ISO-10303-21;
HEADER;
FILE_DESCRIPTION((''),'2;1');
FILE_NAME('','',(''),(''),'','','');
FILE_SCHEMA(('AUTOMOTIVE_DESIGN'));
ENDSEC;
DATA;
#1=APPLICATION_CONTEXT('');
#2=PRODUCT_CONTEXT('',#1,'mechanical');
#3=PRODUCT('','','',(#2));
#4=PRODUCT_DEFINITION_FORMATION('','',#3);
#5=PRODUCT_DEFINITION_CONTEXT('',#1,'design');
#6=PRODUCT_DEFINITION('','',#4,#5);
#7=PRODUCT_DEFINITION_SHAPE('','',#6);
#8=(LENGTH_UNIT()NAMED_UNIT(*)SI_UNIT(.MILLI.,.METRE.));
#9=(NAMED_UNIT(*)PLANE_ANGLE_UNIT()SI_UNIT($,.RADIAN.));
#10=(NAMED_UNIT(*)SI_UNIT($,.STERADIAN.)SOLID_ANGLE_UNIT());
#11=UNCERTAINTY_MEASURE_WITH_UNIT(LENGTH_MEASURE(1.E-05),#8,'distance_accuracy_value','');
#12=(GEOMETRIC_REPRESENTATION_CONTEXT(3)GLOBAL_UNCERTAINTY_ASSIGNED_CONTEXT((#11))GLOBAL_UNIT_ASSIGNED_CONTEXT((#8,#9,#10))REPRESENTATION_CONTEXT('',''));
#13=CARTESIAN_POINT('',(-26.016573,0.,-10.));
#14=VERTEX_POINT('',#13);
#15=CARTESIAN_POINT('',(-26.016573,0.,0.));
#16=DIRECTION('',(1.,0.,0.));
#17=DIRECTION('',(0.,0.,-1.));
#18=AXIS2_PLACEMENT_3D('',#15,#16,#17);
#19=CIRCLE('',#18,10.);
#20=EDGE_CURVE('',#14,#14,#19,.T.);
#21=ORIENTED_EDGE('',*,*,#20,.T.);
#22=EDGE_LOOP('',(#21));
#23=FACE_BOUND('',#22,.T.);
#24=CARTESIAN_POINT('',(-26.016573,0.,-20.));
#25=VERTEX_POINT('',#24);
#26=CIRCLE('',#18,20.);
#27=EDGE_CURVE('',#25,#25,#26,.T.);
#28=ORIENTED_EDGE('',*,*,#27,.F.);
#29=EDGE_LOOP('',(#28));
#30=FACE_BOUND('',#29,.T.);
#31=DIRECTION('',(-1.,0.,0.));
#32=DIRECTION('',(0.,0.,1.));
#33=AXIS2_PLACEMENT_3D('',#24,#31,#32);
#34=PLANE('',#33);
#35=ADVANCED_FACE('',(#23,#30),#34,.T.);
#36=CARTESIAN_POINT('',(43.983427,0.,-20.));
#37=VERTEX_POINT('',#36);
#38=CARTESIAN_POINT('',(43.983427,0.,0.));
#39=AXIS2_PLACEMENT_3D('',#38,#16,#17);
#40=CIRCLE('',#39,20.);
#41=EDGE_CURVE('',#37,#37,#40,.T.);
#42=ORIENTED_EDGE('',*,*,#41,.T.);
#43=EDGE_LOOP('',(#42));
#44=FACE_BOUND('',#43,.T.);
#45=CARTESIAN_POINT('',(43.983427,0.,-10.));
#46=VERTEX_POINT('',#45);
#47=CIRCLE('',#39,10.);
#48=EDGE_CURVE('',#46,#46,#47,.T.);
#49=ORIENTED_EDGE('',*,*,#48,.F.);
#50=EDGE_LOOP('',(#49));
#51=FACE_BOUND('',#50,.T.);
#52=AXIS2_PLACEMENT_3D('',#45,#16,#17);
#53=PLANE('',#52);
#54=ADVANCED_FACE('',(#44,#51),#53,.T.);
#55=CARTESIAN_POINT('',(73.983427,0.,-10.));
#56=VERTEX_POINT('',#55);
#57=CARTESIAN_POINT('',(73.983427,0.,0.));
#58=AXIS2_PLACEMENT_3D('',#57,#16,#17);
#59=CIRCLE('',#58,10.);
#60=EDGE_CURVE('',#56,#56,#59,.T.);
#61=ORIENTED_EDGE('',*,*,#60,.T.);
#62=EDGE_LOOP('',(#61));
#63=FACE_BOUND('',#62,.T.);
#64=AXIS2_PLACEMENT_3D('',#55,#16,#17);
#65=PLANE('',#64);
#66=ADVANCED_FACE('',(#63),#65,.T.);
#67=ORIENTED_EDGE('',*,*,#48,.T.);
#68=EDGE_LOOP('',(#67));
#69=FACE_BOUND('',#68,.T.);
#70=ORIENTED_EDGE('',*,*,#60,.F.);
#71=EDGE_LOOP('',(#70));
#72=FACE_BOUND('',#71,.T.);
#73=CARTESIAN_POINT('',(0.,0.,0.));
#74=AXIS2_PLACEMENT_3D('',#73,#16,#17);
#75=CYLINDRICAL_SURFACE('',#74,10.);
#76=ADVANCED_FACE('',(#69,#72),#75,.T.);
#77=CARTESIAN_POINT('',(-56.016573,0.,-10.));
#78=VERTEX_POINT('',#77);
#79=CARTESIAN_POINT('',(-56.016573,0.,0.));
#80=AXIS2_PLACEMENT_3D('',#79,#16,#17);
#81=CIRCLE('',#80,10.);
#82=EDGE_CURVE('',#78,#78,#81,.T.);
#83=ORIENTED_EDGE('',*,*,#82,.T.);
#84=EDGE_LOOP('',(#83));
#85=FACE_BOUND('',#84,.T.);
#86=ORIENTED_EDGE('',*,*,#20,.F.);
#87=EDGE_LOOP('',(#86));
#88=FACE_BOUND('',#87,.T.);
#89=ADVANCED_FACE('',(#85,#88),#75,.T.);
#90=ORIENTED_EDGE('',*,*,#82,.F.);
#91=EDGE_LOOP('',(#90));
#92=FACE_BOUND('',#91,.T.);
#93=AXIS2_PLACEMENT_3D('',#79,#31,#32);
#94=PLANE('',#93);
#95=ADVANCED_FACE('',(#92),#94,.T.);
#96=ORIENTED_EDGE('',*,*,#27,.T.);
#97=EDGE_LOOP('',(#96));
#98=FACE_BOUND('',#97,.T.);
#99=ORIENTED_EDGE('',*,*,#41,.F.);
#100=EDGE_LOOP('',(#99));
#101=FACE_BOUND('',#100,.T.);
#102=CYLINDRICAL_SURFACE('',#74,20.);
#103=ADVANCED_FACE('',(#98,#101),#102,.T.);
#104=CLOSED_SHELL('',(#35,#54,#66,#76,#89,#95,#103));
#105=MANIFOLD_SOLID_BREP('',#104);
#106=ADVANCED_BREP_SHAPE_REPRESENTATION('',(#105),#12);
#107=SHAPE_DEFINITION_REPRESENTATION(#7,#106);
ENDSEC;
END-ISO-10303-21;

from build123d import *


with BuildPart() as part:
    # Sketch3 → Revolve1 (revolve)
    with BuildSketch(Plane(origin=(0, 0, 0), x_dir=(1, 0, 0), z_dir=(0, 1, 0))):
        Polygon((-56.016573024, 0), (-56.016573024, 10), (-26.016573024, 10), (-26.016573024, 20), (43.983426976, 20), (43.983426976, 10), (73.983426976, 10), (73.983426976, 0), align=None)
    revolve(axis=Axis((0, 0, 0), (-1, 0, 0)))


solid = part.part
